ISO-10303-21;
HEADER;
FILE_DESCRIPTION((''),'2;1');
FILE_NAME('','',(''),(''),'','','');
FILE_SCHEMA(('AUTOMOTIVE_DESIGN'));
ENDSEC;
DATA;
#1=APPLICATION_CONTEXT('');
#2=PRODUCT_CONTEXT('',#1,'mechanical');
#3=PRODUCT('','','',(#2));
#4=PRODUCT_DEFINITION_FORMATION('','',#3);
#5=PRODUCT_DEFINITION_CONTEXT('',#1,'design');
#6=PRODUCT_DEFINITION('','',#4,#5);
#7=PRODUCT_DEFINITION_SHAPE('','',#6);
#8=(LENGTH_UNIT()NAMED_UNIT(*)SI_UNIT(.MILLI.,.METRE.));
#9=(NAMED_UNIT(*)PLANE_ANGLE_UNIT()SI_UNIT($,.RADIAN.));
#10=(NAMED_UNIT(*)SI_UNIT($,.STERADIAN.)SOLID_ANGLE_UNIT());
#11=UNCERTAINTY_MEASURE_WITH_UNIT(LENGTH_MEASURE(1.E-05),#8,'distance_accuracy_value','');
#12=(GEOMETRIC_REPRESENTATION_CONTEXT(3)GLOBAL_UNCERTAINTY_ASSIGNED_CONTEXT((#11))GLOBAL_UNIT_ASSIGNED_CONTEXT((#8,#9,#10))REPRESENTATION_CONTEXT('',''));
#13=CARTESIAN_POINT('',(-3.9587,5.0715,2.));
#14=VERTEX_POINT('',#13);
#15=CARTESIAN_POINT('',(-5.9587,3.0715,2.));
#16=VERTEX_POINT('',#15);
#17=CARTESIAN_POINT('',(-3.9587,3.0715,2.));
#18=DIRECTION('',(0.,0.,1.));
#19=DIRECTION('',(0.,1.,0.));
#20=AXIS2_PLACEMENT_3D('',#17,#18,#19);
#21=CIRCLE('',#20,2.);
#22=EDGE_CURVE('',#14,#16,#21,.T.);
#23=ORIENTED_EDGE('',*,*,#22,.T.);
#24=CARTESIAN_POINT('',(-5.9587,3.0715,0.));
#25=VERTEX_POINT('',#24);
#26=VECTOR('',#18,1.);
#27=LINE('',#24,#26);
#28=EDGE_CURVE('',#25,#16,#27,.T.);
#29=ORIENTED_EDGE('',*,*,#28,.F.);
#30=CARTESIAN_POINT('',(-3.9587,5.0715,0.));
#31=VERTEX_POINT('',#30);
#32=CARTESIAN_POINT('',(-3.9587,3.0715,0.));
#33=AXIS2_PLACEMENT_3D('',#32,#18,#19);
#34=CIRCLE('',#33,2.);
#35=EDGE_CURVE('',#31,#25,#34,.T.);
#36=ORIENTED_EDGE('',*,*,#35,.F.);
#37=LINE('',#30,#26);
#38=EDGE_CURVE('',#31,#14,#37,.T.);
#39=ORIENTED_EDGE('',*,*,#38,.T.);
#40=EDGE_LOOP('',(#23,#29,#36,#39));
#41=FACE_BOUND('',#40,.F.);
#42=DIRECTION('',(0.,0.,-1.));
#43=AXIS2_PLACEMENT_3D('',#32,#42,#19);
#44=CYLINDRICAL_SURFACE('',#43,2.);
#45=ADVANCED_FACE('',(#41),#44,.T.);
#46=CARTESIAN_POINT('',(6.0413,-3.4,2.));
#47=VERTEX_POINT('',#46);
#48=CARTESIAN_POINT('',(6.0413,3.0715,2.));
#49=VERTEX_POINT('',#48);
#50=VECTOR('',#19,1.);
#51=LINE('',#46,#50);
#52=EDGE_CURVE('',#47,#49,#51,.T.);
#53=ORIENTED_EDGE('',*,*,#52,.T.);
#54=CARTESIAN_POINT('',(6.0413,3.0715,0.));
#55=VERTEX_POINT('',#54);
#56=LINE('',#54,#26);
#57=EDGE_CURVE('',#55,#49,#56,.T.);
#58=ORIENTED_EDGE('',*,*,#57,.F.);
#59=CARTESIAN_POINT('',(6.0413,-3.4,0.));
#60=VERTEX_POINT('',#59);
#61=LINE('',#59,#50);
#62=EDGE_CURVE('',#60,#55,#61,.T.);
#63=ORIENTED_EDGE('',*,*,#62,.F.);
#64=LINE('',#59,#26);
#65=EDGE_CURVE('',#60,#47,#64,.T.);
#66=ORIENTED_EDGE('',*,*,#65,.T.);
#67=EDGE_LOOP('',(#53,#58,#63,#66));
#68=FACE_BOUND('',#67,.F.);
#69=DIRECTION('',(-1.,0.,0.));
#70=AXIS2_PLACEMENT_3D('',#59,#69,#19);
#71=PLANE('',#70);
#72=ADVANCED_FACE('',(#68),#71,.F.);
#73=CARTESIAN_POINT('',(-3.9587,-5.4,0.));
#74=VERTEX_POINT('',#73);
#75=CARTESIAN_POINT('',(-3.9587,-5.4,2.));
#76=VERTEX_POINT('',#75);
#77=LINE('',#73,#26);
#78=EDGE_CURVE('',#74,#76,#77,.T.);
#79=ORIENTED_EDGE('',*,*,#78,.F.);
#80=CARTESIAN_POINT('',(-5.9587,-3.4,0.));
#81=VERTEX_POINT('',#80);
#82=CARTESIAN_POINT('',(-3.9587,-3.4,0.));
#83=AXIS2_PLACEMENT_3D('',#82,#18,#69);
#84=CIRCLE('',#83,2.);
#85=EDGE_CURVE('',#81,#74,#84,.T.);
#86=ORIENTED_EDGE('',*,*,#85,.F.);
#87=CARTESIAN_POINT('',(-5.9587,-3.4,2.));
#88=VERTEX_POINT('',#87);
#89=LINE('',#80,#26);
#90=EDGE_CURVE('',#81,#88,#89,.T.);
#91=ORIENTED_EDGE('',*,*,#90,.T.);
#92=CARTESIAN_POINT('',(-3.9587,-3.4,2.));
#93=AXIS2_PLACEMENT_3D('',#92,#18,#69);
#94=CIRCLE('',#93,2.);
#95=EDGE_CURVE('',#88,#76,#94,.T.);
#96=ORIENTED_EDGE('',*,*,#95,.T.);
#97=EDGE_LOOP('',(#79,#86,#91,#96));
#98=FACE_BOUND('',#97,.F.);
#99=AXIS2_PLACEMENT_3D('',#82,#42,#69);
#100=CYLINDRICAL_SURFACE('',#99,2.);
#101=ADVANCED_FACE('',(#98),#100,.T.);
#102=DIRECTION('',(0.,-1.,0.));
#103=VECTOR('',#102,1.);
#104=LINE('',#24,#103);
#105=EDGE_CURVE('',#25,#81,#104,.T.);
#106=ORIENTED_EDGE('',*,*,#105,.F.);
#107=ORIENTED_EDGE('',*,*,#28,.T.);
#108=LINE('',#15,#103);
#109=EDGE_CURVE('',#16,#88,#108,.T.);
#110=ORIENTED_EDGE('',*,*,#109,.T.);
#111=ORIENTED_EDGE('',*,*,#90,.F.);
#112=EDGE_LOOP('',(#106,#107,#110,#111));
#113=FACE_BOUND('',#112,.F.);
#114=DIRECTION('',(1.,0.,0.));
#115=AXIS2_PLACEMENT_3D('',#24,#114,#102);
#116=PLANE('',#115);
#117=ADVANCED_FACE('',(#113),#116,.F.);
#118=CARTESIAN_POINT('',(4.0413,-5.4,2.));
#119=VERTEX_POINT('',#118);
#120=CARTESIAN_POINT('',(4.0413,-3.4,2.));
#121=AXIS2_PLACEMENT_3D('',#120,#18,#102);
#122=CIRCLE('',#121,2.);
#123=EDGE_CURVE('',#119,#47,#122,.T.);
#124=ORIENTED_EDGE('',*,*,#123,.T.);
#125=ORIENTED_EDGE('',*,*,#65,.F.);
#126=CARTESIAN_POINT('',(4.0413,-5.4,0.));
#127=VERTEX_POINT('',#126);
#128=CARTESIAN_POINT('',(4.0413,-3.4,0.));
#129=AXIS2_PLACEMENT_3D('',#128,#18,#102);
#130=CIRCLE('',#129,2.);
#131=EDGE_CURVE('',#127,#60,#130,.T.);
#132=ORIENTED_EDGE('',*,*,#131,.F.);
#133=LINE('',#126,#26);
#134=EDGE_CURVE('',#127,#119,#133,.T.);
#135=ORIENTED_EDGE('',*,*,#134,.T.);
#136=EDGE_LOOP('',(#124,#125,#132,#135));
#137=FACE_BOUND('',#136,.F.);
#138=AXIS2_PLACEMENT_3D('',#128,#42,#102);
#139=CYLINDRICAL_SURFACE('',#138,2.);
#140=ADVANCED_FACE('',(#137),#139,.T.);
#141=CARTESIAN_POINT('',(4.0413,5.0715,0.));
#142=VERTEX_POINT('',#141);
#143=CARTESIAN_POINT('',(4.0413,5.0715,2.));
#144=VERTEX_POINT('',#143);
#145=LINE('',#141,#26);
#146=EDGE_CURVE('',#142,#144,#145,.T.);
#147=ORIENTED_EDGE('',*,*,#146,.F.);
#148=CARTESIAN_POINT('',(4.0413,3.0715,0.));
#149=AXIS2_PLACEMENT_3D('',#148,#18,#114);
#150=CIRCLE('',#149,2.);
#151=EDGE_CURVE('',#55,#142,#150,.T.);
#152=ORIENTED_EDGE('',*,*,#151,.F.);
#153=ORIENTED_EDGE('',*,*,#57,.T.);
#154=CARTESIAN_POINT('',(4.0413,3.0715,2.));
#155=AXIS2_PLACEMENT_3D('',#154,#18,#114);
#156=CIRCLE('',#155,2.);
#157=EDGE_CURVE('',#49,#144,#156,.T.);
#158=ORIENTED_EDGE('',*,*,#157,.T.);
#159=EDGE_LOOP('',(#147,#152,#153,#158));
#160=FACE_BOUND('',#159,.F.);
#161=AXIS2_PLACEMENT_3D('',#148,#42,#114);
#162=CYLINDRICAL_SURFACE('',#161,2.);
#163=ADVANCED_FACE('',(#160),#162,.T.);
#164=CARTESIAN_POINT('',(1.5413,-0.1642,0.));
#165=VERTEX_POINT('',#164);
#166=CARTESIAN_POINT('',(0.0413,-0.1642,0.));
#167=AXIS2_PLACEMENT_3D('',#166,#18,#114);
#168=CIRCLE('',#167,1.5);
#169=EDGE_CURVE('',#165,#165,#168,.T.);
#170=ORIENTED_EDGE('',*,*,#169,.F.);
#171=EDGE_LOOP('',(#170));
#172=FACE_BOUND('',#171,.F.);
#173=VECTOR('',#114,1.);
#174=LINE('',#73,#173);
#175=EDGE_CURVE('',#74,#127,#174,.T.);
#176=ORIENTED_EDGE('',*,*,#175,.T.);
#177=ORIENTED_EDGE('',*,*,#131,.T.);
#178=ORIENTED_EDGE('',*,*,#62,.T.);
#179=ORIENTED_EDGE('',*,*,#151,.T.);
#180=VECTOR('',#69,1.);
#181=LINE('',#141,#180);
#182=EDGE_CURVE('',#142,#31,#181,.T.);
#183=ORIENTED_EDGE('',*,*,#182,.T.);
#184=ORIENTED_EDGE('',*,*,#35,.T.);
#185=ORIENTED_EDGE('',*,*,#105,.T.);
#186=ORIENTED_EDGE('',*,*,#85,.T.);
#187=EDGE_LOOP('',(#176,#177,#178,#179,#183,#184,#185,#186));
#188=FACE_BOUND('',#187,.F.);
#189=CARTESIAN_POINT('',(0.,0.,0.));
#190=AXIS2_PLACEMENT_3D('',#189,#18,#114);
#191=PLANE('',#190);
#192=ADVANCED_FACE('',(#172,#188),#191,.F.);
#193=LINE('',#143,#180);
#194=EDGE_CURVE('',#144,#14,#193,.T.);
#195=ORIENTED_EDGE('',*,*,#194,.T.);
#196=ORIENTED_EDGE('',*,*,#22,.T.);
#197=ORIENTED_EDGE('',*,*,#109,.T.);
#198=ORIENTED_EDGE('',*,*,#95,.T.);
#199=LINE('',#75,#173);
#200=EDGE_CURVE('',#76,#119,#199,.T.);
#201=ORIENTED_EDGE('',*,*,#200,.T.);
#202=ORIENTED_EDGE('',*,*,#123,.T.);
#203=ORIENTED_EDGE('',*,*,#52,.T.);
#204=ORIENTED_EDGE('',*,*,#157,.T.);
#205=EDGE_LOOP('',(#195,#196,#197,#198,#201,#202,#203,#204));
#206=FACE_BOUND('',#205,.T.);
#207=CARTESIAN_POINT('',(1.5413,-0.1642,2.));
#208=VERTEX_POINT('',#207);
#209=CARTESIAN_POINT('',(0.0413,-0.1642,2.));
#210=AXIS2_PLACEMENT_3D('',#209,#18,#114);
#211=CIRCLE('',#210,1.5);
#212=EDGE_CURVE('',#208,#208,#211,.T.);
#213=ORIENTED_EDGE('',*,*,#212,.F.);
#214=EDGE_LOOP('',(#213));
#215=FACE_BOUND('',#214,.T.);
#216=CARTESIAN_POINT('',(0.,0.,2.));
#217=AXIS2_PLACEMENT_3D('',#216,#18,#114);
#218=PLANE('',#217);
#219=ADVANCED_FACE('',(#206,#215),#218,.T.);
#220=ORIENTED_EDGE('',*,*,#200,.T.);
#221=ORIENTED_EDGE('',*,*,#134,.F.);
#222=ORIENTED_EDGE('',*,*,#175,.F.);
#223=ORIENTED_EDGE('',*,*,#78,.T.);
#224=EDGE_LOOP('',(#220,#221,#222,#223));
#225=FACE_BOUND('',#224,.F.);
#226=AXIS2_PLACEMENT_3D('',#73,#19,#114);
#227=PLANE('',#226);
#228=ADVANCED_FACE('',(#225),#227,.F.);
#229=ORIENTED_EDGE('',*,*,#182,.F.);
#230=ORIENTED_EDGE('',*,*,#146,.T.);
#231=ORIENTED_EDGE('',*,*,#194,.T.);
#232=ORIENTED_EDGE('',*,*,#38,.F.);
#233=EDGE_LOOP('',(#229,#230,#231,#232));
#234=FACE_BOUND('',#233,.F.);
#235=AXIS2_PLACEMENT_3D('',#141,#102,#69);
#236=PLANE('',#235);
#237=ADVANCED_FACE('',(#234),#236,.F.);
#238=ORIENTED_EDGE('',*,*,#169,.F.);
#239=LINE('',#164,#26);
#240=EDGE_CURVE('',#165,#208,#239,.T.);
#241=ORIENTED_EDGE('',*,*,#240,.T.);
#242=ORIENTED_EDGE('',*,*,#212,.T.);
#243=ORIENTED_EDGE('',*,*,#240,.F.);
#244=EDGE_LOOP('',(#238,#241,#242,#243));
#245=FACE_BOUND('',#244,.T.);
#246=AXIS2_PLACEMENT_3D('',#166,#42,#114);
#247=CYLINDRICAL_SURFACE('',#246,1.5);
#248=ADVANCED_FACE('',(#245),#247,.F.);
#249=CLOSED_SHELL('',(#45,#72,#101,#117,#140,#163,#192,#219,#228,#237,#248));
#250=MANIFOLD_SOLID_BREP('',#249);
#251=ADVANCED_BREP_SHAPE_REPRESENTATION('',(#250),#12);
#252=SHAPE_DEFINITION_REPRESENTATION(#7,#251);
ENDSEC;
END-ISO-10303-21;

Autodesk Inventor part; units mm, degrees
ref_plane "YZ Plane" through (0, 0, 0) normal (1, 0, 0) x (0, 1, 0)
ref_plane "XZ Plane" through (0, 0, 0) normal (0, 1, 0) x (-1, 0, 0)
ref_plane "XY Plane" through (0, 0, 0) normal (0, 0, 1) x (1, 0, 0)
sketch "washer_sketch" plane through (0, 0, 0) normal (0, 0, 1) x (1, 0, 0)
  line L0 (4.6466, -2.6825) -> (1.9799, -4.6825) construction
  arc A0 (4.6466, -2.6825) -> (5.4466, -1.0825) centre (3.4466, -1.0825) ccw construction
  line L1 (5.4466, 5.0715) -> (5.4466, -1.0825) construction
  line L2 (5.4466, 5.0825) -> (5.4466, 5.0715) construction
  line L3 (-5.4466, 5.0825) -> (5.4466, 5.0825) construction
  line L4 (-5.4466, 0.6191) -> (-5.4466, 5.0825) construction
  arc A1 (-5.4466, 0.6191) -> (-5.0083, -0.6303) centre (-3.4466, 0.6191) ccw construction
  line L5 (-2.0471, -4.3319) -> (-5.0083, -0.6303) construction
  arc A2 (-2.0471, -4.3319) -> (-0.4853, -5.0825) centre (-0.4853, -3.0825) ccw construction
  line L6 (0.7799, -5.0825) -> (-0.4853, -5.0825) construction
  arc A3 (0.7799, -5.0825) -> (1.9799, -4.6825) centre (0.7799, -3.0825) ccw construction
  circle A4 centre (0.0413, -0.1642) radius 3.55 construction
  circle A5 centre (0.0413, -0.1642) radius 3.55 construction
  circle A6 centre (0.0413, -0.1642) radius 1.5 projected
  line L7 (-3.9587, -5.4) -> (4.0413, -5.4)
  line L8 (6.0413, -3.4) -> (6.0413, 3.0715)
  line L9 (4.0413, 5.0715) -> (-3.9587, 5.0715)
  line L10 (-5.9587, 3.0715) -> (-5.9587, -3.4)
  arc A7 (-5.9587, -3.4) -> (-3.9587, -5.4) centre (-3.9587, -3.4) ccw
  arc A8 (-3.9587, 5.0715) -> (-5.9587, 3.0715) centre (-3.9587, 3.0715) ccw
  arc A9 (6.0413, 3.0715) -> (4.0413, 5.0715) centre (4.0413, 3.0715) ccw
  arc A10 (4.0413, -5.4) -> (6.0413, -3.4) centre (4.0413, -3.4) ccw
  point P0 (0, 0)
  point P1 (-5.9587, -5.4)
  point P2 (6.0413, 5.0715)
  point P3 (6.0413, -5.4)
  point P4 (-5.9587, 5.0715)
  dimension "d0" = 10.4715
  dimension "d1" = 12
  dimension "d2" = 5.2358
  dimension "d3" = 6
  dimension "d4" = 2
extrude "washer" add sketch "washer_sketch" along normal blind 2
equation "\"d0\" = 2 * d2"
equation "\"d3\" = 0.5 * d1"
properties part number "mount_linear_stepper_washer_c"
